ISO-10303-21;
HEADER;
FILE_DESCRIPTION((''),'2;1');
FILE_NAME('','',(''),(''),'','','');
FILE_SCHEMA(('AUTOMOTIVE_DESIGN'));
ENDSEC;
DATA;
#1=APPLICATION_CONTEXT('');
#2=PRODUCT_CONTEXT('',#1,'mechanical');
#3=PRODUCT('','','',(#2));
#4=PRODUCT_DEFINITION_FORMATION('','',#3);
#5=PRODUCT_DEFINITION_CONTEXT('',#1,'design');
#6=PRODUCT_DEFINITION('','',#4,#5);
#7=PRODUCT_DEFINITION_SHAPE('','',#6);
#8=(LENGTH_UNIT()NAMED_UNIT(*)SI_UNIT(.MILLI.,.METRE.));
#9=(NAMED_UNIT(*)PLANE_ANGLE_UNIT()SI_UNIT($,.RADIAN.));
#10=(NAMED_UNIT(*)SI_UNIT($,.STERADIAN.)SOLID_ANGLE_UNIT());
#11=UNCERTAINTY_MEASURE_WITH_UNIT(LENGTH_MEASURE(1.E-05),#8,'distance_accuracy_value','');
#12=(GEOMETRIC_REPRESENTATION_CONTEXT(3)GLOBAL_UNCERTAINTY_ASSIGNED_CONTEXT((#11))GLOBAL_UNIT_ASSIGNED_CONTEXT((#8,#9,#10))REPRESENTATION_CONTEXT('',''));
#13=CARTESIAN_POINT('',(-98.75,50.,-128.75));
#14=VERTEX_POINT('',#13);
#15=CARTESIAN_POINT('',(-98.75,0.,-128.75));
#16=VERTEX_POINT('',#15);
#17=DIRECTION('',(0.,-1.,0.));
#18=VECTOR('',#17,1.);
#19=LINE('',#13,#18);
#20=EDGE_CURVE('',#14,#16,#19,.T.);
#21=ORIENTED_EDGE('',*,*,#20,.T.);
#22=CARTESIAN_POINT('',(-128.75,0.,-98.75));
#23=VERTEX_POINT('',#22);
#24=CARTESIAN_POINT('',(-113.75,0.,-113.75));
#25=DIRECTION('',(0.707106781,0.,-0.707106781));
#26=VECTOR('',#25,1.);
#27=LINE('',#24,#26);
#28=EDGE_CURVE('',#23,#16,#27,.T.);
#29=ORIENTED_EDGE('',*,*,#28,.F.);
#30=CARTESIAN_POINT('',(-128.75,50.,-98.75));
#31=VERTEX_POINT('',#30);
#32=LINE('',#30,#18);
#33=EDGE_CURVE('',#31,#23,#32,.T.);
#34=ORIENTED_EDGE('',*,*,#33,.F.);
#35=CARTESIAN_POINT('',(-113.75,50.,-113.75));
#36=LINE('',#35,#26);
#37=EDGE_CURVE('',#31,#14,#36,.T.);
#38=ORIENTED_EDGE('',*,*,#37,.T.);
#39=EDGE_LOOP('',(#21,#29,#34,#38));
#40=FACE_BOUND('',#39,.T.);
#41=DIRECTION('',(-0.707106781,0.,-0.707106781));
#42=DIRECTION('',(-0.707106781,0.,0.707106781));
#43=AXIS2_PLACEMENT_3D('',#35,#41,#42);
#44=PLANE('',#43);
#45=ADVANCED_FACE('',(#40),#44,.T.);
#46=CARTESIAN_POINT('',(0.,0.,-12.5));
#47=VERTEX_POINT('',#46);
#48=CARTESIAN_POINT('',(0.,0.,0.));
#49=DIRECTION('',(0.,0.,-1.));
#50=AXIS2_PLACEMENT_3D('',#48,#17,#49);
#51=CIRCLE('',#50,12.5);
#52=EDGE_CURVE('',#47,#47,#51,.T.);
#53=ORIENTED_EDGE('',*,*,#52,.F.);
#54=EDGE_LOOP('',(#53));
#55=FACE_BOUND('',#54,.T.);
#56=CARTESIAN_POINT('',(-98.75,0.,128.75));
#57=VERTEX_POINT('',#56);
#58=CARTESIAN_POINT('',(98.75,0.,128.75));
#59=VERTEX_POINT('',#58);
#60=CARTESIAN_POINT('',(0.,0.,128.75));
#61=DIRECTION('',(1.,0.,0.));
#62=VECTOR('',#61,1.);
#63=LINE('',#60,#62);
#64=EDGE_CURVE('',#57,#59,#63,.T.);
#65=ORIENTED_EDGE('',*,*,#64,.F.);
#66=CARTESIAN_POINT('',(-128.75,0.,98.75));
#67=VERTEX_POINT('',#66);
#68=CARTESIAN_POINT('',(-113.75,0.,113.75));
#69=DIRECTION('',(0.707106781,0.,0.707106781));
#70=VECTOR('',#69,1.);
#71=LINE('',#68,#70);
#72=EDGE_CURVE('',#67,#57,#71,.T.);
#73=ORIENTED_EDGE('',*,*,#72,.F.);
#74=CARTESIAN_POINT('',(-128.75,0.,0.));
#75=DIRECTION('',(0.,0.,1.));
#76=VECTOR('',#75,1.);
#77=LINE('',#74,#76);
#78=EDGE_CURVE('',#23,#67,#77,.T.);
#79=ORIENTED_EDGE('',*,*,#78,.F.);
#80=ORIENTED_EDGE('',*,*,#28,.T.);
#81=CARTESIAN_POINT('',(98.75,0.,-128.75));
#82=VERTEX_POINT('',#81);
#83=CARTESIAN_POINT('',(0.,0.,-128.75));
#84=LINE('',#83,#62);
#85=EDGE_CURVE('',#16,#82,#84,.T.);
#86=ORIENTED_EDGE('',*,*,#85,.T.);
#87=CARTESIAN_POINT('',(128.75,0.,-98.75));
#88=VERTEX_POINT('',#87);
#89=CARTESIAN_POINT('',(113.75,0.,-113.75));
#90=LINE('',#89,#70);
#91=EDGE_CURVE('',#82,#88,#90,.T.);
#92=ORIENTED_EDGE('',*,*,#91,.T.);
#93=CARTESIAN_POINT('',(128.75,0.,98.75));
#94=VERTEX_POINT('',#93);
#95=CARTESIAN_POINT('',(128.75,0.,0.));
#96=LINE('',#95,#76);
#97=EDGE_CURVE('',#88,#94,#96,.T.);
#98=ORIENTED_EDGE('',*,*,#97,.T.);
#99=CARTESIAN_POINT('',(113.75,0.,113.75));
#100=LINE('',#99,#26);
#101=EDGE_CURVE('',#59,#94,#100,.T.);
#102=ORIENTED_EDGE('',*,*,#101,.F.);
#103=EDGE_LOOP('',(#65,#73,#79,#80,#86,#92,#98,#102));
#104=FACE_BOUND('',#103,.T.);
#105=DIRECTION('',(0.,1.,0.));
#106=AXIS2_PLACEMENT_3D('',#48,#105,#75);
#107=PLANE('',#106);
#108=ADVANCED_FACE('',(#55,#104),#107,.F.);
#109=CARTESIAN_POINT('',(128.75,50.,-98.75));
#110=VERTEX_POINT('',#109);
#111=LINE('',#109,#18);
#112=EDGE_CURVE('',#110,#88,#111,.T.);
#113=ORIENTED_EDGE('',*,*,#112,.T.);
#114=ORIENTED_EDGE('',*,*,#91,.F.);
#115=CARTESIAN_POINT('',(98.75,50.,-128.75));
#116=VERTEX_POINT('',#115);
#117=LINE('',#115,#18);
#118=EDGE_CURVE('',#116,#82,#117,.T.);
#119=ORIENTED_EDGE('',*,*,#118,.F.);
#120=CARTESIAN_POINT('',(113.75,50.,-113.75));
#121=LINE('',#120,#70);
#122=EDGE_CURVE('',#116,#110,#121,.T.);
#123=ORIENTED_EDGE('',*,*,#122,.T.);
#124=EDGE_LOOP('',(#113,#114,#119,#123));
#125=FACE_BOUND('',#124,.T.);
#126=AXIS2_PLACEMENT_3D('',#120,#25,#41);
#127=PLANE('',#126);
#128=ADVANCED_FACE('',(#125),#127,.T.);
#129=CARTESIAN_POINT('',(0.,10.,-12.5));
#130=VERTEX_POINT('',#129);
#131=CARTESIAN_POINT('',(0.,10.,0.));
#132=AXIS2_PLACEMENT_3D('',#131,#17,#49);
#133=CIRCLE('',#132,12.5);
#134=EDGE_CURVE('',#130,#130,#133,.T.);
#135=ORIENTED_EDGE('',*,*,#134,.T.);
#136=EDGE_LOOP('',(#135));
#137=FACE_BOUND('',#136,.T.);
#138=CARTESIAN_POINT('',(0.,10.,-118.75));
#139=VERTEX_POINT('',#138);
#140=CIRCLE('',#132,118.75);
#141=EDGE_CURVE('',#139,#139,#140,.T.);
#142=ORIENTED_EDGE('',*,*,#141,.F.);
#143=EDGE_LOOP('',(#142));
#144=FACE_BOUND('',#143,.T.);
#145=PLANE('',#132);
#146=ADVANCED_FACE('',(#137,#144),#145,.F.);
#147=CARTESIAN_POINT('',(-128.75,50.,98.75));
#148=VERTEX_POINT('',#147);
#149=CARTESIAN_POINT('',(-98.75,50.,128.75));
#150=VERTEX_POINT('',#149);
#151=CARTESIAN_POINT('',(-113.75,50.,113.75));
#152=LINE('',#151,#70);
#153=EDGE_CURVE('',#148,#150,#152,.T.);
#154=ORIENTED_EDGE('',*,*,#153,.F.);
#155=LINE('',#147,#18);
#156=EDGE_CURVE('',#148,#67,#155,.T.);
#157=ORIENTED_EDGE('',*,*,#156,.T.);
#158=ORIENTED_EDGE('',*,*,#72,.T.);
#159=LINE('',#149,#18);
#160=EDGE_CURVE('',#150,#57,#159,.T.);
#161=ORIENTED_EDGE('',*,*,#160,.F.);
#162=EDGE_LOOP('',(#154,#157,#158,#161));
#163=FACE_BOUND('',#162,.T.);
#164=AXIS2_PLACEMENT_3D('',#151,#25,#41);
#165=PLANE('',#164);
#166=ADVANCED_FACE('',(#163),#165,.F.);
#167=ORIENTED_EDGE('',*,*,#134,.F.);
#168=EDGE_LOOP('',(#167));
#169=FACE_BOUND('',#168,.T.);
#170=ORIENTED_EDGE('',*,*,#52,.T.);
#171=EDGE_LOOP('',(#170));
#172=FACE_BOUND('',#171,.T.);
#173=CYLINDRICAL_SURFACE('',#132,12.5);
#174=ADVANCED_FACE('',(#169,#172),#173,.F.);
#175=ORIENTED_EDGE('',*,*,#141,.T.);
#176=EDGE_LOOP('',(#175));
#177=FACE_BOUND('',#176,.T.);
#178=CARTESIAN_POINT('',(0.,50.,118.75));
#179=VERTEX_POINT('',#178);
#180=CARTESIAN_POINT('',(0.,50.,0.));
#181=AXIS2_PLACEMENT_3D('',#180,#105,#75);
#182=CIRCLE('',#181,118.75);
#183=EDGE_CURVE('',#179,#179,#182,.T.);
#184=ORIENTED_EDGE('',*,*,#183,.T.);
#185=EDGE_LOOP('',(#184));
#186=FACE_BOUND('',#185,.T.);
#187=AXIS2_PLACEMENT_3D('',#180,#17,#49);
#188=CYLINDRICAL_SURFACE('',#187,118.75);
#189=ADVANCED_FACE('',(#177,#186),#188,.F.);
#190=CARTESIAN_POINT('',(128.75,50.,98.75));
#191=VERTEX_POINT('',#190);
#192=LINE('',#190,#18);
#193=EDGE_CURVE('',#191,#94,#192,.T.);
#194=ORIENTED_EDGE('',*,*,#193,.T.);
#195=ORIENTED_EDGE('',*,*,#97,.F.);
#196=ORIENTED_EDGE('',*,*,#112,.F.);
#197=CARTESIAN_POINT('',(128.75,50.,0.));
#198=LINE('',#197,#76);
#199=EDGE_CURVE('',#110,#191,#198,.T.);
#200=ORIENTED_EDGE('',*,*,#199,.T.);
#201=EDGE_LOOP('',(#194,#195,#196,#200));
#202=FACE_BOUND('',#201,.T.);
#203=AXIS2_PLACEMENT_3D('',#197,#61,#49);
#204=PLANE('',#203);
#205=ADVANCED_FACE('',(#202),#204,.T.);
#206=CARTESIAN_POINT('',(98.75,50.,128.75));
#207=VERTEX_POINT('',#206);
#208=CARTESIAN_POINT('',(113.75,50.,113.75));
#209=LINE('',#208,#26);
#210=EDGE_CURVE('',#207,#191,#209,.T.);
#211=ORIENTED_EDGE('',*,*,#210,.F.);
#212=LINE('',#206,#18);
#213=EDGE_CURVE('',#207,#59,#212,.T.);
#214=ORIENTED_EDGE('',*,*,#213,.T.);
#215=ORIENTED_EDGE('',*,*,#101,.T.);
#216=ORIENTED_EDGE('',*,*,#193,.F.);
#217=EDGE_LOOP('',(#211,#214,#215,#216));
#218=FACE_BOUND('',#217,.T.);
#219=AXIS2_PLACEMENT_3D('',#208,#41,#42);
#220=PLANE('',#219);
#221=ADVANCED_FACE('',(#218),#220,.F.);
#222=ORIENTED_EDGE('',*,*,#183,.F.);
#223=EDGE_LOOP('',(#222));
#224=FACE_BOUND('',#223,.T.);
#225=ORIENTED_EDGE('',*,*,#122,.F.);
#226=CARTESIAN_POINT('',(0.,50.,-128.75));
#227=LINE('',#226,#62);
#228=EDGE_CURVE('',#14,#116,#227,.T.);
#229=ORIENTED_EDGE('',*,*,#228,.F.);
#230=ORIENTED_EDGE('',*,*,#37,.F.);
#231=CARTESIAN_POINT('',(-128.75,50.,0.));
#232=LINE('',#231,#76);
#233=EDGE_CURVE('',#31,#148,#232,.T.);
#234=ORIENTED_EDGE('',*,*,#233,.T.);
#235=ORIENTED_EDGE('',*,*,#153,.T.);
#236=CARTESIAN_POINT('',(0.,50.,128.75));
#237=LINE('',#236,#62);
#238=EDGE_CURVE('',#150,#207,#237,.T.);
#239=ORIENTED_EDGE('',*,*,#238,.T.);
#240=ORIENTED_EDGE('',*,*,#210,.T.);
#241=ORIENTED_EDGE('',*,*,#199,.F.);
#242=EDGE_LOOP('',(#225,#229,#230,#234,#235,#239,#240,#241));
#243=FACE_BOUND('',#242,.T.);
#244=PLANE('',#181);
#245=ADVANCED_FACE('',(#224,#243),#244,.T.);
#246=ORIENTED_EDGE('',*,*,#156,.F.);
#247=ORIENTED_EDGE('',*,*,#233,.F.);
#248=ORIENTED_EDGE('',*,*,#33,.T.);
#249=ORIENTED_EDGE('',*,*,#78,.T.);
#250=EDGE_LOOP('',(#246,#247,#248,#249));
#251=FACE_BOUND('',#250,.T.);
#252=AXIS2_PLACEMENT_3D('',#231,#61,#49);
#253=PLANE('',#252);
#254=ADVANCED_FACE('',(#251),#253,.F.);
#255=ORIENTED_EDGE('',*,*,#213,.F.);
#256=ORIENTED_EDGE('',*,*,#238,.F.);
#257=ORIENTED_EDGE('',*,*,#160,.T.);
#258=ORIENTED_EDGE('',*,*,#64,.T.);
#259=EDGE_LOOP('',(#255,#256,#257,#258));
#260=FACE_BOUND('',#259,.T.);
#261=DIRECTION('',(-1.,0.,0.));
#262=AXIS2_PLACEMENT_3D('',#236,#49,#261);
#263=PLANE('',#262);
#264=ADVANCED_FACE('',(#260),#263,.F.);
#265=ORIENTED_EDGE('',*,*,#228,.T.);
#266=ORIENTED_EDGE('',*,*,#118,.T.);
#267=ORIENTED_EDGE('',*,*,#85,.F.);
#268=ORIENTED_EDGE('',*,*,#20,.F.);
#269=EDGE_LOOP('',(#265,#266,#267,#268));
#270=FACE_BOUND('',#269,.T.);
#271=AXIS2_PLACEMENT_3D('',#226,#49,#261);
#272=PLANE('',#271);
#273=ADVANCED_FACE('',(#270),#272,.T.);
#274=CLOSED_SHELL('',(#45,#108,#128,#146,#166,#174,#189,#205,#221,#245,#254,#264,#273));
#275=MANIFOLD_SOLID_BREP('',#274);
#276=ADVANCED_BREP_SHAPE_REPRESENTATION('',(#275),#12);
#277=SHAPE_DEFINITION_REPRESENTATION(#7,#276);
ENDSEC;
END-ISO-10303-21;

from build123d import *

# Parameters (mm, degrees)
SKETCH_1_R      = 118.75
EXTRUDE_1_DEPTH = 50
SKETCH_2_R      = 12.5
EXTRUDE_2_DEPTH = 10


with BuildPart() as part:
    # 草圖1 → 填料-伸長1 (new body)
    with BuildSketch(Plane(origin=(0, 0, 0), x_dir=(1, 0, 0), z_dir=(0, 1, 0))):
        Polygon((98.75, 128.75), (128.75, 98.75), (128.75, -98.75), (98.75, -128.75), (-98.75, -128.75), (-128.75, -98.75), (-128.75, 98.75), (-98.75, 128.75), align=None)
        with Locations(Location((0, 0, 0), (0, 0, 270))):
            Circle(SKETCH_1_R, mode=Mode.SUBTRACT)
    extrude(amount=EXTRUDE_1_DEPTH)

    # 草圖2 → 填料-伸長2 (add)
    with BuildSketch(Plane.XZ):
        Polygon((98.75, -128.75), (128.75, -98.75), (128.75, 98.75), (98.75, 128.75), (-98.75, 128.75), (-128.75, 98.75), (-128.75, -98.75), (-98.75, -128.75), align=None)
        with Locations(Location((0, 0, 0), (0, 0, 270))):
            Circle(SKETCH_2_R, mode=Mode.SUBTRACT)
    extrude(amount=-EXTRUDE_2_DEPTH)


solid = part.part
